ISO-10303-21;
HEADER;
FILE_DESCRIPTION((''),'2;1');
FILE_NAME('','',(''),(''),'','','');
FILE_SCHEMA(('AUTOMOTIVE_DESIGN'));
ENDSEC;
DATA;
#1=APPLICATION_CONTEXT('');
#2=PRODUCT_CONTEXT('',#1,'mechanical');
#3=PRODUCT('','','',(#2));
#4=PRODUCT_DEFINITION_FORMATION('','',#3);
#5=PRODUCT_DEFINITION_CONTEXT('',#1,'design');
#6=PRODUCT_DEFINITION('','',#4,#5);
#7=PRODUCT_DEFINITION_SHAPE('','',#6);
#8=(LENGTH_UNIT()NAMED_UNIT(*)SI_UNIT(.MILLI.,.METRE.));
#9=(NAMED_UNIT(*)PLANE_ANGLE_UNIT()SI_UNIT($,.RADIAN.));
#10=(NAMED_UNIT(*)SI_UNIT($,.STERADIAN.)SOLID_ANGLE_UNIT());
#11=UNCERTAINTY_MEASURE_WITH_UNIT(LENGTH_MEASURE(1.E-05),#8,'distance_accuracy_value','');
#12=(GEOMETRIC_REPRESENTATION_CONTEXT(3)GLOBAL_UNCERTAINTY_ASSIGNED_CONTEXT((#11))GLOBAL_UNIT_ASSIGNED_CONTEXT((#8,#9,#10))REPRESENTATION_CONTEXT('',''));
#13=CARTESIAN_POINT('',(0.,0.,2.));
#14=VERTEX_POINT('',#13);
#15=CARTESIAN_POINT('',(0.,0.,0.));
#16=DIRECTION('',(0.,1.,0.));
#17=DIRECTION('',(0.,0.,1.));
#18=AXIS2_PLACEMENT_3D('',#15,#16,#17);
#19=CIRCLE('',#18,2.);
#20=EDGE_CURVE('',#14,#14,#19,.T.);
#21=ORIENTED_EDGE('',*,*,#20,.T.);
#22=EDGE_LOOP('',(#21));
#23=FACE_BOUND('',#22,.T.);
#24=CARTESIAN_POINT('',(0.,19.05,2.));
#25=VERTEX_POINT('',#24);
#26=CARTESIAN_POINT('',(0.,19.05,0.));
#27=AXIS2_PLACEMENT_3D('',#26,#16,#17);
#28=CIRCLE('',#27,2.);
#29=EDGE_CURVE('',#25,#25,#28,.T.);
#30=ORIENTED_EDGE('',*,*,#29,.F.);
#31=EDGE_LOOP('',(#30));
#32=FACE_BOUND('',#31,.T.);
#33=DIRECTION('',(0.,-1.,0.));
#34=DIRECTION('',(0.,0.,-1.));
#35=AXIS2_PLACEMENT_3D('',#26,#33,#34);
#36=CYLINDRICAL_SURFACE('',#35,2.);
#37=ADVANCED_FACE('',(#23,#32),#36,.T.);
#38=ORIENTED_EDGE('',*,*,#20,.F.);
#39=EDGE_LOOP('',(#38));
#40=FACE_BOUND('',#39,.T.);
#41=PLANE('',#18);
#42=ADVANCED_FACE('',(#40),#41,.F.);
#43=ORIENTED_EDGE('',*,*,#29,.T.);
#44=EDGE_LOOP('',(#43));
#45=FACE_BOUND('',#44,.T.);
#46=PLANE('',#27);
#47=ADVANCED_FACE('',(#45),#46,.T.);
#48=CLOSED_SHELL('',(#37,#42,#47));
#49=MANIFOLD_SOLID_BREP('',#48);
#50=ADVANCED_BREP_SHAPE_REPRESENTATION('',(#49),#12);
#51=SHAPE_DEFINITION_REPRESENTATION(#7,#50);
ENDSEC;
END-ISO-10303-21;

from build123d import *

# Parameters (mm, degrees)
SKETCH1_R           = 2
BOSS_EXTRUDE1_DEPTH = 19.05


with BuildPart() as part:
    # Sketch1 → Boss-Extrude1 (new body)
    with BuildSketch(Plane(origin=(0, 0, 0), x_dir=(1, 0, 0), z_dir=(0, 1, 0))):
        Circle(SKETCH1_R)
    extrude(amount=BOSS_EXTRUDE1_DEPTH)


solid = part.part
